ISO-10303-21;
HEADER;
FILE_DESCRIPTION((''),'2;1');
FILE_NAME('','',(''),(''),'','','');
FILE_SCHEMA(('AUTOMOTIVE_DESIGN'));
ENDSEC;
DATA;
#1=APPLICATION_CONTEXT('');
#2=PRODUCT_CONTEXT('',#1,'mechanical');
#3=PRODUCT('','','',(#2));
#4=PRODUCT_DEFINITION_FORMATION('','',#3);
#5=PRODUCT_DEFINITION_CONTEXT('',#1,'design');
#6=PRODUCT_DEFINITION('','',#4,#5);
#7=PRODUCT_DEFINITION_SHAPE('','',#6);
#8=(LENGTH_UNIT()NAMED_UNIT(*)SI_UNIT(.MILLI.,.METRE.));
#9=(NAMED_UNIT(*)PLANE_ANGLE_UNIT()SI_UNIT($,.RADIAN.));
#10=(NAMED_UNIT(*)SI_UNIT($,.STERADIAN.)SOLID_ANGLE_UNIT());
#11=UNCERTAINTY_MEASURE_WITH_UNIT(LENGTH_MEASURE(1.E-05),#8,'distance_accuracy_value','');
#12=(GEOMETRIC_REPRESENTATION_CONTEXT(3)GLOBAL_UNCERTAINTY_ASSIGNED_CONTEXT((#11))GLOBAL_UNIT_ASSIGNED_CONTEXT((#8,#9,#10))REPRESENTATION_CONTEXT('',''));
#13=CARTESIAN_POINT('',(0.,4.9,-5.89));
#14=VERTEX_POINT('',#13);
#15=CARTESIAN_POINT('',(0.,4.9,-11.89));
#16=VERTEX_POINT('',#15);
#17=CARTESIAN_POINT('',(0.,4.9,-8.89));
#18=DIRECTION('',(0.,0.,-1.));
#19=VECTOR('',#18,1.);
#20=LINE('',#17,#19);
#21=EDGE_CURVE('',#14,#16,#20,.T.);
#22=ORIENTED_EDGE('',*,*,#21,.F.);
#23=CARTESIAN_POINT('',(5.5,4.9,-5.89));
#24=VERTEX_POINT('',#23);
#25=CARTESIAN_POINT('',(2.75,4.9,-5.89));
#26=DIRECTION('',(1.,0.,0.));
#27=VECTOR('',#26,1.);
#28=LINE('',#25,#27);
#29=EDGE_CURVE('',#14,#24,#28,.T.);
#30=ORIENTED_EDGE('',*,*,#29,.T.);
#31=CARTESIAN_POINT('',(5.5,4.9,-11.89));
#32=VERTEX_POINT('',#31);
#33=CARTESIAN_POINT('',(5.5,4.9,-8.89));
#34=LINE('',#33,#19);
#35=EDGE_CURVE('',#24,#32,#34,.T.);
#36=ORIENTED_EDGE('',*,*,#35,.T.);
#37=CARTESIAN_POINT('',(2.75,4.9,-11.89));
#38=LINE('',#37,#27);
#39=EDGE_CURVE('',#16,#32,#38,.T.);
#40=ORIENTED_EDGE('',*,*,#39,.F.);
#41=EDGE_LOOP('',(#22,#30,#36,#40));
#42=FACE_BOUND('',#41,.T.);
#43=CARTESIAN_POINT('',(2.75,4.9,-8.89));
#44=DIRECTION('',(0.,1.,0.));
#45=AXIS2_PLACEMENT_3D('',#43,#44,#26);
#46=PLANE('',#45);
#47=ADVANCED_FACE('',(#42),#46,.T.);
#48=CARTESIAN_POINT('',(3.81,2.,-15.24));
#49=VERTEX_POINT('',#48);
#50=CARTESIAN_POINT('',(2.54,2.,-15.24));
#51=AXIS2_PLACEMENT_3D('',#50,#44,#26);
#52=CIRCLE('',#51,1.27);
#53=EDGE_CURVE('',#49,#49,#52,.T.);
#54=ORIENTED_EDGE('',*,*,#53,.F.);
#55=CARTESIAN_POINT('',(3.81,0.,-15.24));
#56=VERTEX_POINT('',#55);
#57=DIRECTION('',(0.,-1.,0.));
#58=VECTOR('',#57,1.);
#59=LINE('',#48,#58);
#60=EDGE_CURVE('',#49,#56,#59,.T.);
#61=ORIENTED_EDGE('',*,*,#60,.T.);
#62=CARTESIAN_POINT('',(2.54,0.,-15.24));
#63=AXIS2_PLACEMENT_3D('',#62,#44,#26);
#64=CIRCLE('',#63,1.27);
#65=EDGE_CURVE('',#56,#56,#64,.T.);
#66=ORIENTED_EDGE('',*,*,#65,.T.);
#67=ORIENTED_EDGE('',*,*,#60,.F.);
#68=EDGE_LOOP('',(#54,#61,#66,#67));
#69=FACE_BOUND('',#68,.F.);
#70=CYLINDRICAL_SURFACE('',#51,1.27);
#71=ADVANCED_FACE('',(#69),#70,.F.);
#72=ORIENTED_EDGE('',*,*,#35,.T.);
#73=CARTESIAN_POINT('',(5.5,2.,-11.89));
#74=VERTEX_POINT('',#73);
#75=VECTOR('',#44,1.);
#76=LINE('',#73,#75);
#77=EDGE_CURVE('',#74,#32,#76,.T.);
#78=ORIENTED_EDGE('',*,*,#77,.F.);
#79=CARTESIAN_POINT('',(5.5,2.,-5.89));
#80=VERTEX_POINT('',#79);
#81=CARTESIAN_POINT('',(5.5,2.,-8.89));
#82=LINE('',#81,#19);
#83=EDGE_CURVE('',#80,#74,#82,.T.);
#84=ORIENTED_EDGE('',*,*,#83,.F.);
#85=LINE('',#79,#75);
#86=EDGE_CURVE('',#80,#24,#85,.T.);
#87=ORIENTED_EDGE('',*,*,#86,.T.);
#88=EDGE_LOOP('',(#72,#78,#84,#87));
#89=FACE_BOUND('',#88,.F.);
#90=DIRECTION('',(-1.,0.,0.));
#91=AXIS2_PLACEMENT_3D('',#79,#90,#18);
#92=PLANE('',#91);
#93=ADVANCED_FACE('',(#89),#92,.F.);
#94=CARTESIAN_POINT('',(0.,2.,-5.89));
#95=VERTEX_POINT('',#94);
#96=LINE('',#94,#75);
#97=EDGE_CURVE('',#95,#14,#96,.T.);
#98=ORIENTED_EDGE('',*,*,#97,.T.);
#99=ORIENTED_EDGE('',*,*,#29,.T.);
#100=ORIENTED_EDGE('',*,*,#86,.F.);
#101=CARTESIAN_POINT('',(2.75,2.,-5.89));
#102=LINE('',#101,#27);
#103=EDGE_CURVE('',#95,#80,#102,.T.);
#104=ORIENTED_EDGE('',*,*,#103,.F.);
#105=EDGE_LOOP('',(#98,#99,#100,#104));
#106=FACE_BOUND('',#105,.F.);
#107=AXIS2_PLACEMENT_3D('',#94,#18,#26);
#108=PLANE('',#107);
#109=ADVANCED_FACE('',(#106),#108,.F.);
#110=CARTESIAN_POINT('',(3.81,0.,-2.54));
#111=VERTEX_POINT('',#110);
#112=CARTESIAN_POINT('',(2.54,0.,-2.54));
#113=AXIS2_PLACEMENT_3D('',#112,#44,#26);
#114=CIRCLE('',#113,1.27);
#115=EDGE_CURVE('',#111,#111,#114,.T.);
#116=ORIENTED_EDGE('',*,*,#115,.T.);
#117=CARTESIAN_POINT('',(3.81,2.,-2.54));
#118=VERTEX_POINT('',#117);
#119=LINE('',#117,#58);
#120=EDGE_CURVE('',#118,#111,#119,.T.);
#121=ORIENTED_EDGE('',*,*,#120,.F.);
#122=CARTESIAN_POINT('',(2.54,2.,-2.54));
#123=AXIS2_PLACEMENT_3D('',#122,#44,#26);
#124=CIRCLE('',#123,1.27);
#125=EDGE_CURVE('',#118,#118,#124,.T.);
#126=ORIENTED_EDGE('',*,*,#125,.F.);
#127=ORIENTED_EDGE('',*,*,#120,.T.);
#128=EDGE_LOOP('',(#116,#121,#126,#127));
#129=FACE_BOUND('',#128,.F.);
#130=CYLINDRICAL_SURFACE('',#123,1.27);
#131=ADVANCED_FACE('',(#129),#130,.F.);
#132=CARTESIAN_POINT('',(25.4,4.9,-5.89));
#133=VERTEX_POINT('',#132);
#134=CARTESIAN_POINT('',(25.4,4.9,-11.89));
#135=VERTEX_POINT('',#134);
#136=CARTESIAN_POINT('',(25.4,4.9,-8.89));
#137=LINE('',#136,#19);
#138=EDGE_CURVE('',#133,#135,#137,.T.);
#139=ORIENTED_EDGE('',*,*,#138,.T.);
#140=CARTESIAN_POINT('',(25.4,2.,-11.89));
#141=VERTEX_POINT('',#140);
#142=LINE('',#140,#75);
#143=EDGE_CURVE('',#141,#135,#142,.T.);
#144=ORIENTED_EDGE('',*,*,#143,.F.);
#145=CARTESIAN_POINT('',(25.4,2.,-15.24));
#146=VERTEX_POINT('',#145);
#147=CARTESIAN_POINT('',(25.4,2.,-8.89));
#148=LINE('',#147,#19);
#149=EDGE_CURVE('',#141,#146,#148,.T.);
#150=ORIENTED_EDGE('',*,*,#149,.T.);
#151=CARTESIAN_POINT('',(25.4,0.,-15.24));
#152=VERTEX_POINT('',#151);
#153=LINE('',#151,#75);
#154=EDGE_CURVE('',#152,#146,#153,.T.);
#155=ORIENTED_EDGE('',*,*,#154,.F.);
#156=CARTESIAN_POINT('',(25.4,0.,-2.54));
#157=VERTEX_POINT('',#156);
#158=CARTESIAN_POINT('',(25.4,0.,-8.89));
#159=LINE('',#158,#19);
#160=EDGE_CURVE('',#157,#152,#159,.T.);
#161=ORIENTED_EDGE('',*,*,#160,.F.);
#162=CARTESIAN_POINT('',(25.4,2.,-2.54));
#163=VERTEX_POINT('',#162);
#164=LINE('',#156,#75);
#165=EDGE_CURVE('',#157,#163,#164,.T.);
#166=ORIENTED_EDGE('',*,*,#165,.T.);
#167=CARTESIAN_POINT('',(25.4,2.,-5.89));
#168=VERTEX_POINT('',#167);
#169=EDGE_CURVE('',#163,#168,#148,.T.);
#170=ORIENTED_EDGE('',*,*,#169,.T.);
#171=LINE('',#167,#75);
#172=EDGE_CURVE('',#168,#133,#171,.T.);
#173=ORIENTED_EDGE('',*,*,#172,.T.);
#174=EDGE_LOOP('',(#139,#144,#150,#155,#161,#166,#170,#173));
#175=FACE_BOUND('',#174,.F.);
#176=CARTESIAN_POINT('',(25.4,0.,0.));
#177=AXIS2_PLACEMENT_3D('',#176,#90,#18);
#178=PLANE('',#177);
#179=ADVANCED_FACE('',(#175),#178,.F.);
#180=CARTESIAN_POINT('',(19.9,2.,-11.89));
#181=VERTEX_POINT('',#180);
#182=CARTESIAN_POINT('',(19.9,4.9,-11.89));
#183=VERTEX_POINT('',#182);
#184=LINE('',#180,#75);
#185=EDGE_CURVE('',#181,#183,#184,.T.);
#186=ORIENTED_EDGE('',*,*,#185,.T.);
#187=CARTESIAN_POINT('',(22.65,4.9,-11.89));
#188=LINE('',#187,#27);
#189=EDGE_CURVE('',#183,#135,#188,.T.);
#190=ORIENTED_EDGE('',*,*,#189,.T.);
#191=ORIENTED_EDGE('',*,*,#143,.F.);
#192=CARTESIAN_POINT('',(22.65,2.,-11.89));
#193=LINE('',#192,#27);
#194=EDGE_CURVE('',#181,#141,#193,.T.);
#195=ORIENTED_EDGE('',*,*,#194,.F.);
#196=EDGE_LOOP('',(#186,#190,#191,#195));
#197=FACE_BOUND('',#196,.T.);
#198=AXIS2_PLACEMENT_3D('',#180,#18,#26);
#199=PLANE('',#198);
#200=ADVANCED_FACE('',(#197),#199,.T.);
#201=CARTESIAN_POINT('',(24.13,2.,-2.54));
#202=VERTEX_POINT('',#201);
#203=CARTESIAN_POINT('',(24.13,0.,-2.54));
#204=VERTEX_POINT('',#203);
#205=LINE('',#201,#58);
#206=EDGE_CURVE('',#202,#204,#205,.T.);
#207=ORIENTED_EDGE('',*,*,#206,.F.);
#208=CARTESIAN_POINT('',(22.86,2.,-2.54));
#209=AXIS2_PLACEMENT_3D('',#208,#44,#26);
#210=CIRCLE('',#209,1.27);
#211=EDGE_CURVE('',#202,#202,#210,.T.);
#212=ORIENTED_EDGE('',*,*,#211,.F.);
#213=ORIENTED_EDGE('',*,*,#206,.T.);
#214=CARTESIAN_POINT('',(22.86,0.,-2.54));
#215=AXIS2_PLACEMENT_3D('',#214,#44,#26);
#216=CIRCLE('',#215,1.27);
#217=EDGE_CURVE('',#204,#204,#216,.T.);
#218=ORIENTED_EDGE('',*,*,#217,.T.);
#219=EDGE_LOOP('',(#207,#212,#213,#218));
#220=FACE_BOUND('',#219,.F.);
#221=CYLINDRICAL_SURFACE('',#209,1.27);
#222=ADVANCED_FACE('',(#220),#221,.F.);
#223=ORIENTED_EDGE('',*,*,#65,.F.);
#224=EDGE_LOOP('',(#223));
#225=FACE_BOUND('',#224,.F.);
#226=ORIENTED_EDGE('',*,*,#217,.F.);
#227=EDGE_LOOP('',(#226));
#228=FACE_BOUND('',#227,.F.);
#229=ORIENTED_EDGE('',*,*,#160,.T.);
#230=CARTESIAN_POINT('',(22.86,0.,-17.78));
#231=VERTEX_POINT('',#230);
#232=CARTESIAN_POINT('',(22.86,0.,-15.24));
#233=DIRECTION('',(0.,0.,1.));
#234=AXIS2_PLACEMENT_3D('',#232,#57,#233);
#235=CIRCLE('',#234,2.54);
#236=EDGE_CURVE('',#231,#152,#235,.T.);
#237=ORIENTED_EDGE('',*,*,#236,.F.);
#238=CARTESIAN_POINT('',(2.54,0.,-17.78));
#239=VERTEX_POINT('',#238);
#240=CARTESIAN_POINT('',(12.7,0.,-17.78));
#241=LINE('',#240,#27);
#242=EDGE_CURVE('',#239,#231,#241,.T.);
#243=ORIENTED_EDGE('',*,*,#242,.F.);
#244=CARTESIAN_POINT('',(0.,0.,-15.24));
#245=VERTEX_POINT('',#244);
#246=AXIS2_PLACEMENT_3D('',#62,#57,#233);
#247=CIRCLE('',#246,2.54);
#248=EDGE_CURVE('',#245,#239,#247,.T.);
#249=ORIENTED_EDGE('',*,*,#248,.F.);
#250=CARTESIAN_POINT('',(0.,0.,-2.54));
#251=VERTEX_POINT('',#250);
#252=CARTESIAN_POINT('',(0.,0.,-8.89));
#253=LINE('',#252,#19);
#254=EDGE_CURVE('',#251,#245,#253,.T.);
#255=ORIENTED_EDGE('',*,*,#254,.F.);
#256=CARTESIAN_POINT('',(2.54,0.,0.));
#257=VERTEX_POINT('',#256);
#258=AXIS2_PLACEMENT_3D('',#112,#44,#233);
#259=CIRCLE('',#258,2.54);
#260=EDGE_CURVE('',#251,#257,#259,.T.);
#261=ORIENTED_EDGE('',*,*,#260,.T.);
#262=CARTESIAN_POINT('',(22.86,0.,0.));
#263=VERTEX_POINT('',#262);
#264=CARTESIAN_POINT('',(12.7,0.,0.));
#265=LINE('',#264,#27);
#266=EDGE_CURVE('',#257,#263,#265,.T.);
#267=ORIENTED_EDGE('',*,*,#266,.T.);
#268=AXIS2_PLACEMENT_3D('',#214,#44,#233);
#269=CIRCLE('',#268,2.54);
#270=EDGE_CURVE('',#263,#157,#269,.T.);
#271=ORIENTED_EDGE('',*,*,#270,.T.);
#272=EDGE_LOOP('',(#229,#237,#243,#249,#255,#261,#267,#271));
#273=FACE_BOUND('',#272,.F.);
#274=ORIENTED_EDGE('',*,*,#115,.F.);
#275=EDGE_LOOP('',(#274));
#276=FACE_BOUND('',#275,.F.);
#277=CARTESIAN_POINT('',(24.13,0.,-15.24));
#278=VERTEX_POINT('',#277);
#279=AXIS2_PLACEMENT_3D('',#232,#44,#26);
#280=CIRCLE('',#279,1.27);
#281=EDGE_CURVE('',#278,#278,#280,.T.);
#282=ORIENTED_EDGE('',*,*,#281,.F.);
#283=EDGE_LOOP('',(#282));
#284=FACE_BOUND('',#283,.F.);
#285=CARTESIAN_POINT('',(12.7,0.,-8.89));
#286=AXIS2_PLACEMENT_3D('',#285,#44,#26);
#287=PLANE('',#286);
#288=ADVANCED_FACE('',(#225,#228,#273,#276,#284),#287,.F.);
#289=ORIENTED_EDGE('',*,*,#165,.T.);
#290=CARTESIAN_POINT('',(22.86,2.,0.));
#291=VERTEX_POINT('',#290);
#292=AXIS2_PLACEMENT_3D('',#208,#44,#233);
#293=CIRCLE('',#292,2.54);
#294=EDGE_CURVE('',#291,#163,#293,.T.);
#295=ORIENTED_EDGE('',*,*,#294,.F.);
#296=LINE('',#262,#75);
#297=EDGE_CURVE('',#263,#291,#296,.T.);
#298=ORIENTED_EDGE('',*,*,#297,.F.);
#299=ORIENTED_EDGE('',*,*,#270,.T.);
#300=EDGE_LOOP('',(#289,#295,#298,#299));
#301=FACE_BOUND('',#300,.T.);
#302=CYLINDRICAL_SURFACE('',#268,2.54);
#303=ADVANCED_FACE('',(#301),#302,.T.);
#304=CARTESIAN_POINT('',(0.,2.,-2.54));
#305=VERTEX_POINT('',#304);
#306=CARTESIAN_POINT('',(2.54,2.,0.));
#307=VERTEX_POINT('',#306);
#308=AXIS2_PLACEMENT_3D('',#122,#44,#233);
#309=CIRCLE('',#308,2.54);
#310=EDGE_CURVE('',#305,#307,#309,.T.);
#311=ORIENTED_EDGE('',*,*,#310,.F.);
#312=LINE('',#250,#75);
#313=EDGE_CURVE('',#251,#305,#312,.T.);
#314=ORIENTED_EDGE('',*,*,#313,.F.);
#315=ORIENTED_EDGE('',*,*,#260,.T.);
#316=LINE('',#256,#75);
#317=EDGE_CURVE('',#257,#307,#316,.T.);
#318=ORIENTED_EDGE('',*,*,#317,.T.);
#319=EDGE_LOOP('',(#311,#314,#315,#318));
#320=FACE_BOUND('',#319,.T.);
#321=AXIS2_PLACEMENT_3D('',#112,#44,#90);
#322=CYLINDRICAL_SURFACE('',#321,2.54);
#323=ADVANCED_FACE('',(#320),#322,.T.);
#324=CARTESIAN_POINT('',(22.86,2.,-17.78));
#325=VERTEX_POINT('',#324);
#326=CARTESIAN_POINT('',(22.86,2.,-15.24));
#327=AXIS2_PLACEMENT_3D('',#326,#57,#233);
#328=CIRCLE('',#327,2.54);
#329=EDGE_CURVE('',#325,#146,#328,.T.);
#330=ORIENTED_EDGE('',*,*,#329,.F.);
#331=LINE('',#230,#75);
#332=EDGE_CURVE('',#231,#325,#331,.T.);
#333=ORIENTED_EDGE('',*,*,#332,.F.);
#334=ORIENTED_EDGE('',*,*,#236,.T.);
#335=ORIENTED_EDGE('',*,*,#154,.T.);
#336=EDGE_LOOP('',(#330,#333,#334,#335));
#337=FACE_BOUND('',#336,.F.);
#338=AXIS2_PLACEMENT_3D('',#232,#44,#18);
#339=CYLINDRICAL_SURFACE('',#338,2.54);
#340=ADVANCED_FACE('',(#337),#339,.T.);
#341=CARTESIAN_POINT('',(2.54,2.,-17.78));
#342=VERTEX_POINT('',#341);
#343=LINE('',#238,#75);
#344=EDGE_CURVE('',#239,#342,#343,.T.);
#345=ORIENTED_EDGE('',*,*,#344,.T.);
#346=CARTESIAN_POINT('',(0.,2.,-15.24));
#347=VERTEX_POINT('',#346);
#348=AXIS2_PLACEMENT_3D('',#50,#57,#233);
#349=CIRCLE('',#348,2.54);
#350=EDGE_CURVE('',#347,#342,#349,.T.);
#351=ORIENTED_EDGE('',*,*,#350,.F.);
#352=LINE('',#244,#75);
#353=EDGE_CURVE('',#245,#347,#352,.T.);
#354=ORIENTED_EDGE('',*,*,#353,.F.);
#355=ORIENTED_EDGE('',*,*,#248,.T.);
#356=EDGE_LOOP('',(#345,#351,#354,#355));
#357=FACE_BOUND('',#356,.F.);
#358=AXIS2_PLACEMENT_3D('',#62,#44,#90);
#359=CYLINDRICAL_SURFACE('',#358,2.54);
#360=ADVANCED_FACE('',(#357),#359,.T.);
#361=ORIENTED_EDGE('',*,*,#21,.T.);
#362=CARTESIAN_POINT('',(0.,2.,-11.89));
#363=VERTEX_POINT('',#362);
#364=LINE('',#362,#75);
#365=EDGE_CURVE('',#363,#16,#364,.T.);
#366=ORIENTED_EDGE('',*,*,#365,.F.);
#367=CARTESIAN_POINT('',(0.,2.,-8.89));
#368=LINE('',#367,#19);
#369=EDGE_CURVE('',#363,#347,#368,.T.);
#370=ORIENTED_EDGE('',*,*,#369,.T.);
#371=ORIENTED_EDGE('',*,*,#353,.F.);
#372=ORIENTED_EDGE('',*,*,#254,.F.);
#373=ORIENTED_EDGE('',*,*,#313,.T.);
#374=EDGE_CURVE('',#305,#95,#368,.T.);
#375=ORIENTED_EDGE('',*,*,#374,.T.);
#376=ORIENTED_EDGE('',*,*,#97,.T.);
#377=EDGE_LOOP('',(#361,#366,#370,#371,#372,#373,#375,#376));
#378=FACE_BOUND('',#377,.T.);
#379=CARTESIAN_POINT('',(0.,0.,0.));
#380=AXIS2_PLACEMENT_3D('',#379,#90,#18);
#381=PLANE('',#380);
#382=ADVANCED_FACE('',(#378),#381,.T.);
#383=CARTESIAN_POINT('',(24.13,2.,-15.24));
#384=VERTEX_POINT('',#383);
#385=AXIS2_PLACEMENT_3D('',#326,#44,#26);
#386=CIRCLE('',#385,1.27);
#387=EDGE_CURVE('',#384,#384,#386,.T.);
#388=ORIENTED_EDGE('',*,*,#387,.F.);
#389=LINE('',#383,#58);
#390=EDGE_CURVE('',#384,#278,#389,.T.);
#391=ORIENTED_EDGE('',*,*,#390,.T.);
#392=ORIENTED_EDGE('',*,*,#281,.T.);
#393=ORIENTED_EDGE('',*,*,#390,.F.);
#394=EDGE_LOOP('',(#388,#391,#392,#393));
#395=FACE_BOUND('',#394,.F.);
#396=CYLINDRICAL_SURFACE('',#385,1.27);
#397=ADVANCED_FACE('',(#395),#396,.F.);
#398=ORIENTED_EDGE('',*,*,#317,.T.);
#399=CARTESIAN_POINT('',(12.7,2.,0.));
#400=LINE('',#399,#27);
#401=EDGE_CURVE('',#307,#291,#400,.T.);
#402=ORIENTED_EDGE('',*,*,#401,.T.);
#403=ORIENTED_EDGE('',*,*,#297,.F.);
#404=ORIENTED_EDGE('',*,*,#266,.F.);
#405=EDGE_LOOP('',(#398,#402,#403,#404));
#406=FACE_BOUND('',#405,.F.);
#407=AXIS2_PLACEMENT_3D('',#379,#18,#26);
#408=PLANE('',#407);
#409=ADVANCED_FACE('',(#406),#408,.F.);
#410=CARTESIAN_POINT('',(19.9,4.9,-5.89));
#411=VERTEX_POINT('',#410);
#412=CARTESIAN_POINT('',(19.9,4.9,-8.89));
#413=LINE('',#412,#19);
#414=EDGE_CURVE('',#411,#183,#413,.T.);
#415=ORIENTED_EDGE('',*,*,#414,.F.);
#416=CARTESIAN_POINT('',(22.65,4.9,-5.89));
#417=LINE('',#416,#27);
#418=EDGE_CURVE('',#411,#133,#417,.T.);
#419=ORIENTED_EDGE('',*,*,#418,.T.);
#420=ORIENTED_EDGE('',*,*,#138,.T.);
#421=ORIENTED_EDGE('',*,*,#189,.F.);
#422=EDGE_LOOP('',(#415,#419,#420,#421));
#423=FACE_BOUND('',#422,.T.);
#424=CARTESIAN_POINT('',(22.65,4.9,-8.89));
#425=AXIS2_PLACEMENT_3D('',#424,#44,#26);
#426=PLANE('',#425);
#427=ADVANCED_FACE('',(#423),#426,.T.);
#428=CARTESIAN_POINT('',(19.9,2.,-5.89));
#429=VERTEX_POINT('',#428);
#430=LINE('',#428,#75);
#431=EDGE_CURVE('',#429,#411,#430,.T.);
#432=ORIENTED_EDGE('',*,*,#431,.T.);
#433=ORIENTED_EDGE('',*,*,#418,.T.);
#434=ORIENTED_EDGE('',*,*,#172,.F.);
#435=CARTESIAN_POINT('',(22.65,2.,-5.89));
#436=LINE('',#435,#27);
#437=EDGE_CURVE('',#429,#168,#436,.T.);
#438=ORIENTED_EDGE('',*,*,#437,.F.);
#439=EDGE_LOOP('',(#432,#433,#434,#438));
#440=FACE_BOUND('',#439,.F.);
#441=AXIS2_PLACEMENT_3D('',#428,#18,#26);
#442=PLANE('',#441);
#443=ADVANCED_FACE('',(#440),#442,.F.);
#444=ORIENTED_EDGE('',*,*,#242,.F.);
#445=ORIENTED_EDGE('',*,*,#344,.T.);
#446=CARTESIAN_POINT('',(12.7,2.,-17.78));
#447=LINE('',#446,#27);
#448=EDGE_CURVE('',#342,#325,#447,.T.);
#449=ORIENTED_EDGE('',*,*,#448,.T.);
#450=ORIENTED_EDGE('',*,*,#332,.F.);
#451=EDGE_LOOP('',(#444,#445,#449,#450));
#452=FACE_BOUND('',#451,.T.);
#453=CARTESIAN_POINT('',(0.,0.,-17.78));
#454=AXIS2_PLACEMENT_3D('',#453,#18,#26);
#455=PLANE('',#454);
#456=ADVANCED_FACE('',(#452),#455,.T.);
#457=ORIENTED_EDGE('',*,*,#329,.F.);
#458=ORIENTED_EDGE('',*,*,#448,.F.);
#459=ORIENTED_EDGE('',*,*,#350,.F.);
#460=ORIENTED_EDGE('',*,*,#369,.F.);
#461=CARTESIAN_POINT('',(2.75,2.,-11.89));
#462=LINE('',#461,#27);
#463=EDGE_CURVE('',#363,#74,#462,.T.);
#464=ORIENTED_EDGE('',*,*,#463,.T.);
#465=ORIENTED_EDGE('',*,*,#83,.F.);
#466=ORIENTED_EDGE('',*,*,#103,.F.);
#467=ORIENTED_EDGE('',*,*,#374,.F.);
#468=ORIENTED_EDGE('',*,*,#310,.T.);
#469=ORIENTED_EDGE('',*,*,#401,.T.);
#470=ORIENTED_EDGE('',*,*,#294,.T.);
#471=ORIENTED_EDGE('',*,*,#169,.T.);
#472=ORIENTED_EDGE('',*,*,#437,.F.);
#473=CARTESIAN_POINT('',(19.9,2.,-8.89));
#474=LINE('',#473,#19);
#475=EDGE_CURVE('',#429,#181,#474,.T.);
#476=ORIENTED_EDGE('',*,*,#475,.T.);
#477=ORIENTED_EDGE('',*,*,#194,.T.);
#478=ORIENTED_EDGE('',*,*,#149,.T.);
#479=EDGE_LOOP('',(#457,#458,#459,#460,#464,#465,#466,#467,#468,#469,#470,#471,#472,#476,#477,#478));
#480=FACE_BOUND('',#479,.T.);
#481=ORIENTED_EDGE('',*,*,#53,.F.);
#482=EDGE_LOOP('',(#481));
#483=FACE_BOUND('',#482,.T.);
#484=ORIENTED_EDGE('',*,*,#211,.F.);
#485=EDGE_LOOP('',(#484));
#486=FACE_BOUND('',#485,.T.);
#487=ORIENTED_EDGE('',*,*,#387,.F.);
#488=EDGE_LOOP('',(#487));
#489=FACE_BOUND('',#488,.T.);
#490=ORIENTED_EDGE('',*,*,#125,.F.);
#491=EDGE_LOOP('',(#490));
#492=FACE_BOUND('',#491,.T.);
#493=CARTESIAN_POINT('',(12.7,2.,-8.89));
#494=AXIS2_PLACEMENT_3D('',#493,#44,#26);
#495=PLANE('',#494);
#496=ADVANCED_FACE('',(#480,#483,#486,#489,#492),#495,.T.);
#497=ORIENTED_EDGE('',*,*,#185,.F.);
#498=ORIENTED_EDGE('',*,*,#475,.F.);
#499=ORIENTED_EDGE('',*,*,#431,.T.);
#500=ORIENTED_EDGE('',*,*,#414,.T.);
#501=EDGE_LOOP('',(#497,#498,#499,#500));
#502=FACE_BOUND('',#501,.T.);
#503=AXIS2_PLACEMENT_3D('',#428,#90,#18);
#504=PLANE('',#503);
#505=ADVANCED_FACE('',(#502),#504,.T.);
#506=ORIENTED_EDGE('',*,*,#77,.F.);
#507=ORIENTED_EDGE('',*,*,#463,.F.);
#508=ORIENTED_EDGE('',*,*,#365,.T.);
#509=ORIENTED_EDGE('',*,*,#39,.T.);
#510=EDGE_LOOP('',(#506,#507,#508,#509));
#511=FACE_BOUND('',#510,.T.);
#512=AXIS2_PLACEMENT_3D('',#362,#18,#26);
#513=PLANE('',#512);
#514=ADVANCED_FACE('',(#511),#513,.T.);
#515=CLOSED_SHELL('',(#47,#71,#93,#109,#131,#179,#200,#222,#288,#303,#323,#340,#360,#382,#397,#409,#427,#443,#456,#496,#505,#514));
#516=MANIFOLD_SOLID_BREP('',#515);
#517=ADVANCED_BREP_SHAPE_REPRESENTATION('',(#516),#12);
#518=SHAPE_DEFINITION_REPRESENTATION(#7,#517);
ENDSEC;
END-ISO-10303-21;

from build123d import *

# Parameters (mm, degrees)
SKETCH1_W           = 25.4
SKETCH1_H           = 17.78
BOSS_EXTRUDE1_DEPTH = 2
SKETCH2_R           = 1.27
CUT_EXTRUDE1_DEPTH  = 3
SKETCH3_W           = 5.5
SKETCH3_H           = 6
BOSS_EXTRUDE2_DEPTH = 2.9
FILLET1_R           = 2.54


with BuildPart() as part:
    # Sketch1 → Boss-Extrude1 (new body)
    with BuildSketch(Plane(origin=(0, 0, 0), x_dir=(1, 0, 0), z_dir=(0, 1, 0))):
        with Locations((12.7, 8.89)):
            Rectangle(SKETCH1_W, SKETCH1_H)
    extrude(amount=BOSS_EXTRUDE1_DEPTH)

    # Sketch2 → Cut-Extrude1 (cut, through all)
    with BuildSketch(Plane(origin=(0, 2, 0), x_dir=(1, 0, 0), z_dir=(0, 1, 0))):
        with Locations((2.54, 15.24)):
            Circle(SKETCH2_R)
        with Locations((22.86, 15.24)):
            Circle(SKETCH2_R)
        with Locations((22.86, 2.54)):
            Circle(SKETCH2_R)
        with Locations((2.54, 2.54)):
            Circle(SKETCH2_R)
    extrude(amount=-CUT_EXTRUDE1_DEPTH, mode=Mode.SUBTRACT)

    # Sketch3 → Boss-Extrude2 (add)
    with BuildSketch(Plane(origin=(0, 2, 0), x_dir=(1, 0, 0), z_dir=(0, 1, 0))):
        with Locations((22.65, 8.89)):
            Rectangle(SKETCH3_W, SKETCH3_H)
        with Locations((2.75, 8.89)):
            Rectangle(SKETCH3_W, SKETCH3_H)
    extrude(amount=BOSS_EXTRUDE2_DEPTH)

    # Fillet1
    fillet1_edges = [part.edges().sort_by_distance(p)[0] for p in [
        (0, 1, -17.78),
        (25.4, 1, -17.78),
        (25.4, 1, 0),
        (0, 1, 0),
    ]]
    fillet(fillet1_edges, radius=FILLET1_R)


solid = part.part
